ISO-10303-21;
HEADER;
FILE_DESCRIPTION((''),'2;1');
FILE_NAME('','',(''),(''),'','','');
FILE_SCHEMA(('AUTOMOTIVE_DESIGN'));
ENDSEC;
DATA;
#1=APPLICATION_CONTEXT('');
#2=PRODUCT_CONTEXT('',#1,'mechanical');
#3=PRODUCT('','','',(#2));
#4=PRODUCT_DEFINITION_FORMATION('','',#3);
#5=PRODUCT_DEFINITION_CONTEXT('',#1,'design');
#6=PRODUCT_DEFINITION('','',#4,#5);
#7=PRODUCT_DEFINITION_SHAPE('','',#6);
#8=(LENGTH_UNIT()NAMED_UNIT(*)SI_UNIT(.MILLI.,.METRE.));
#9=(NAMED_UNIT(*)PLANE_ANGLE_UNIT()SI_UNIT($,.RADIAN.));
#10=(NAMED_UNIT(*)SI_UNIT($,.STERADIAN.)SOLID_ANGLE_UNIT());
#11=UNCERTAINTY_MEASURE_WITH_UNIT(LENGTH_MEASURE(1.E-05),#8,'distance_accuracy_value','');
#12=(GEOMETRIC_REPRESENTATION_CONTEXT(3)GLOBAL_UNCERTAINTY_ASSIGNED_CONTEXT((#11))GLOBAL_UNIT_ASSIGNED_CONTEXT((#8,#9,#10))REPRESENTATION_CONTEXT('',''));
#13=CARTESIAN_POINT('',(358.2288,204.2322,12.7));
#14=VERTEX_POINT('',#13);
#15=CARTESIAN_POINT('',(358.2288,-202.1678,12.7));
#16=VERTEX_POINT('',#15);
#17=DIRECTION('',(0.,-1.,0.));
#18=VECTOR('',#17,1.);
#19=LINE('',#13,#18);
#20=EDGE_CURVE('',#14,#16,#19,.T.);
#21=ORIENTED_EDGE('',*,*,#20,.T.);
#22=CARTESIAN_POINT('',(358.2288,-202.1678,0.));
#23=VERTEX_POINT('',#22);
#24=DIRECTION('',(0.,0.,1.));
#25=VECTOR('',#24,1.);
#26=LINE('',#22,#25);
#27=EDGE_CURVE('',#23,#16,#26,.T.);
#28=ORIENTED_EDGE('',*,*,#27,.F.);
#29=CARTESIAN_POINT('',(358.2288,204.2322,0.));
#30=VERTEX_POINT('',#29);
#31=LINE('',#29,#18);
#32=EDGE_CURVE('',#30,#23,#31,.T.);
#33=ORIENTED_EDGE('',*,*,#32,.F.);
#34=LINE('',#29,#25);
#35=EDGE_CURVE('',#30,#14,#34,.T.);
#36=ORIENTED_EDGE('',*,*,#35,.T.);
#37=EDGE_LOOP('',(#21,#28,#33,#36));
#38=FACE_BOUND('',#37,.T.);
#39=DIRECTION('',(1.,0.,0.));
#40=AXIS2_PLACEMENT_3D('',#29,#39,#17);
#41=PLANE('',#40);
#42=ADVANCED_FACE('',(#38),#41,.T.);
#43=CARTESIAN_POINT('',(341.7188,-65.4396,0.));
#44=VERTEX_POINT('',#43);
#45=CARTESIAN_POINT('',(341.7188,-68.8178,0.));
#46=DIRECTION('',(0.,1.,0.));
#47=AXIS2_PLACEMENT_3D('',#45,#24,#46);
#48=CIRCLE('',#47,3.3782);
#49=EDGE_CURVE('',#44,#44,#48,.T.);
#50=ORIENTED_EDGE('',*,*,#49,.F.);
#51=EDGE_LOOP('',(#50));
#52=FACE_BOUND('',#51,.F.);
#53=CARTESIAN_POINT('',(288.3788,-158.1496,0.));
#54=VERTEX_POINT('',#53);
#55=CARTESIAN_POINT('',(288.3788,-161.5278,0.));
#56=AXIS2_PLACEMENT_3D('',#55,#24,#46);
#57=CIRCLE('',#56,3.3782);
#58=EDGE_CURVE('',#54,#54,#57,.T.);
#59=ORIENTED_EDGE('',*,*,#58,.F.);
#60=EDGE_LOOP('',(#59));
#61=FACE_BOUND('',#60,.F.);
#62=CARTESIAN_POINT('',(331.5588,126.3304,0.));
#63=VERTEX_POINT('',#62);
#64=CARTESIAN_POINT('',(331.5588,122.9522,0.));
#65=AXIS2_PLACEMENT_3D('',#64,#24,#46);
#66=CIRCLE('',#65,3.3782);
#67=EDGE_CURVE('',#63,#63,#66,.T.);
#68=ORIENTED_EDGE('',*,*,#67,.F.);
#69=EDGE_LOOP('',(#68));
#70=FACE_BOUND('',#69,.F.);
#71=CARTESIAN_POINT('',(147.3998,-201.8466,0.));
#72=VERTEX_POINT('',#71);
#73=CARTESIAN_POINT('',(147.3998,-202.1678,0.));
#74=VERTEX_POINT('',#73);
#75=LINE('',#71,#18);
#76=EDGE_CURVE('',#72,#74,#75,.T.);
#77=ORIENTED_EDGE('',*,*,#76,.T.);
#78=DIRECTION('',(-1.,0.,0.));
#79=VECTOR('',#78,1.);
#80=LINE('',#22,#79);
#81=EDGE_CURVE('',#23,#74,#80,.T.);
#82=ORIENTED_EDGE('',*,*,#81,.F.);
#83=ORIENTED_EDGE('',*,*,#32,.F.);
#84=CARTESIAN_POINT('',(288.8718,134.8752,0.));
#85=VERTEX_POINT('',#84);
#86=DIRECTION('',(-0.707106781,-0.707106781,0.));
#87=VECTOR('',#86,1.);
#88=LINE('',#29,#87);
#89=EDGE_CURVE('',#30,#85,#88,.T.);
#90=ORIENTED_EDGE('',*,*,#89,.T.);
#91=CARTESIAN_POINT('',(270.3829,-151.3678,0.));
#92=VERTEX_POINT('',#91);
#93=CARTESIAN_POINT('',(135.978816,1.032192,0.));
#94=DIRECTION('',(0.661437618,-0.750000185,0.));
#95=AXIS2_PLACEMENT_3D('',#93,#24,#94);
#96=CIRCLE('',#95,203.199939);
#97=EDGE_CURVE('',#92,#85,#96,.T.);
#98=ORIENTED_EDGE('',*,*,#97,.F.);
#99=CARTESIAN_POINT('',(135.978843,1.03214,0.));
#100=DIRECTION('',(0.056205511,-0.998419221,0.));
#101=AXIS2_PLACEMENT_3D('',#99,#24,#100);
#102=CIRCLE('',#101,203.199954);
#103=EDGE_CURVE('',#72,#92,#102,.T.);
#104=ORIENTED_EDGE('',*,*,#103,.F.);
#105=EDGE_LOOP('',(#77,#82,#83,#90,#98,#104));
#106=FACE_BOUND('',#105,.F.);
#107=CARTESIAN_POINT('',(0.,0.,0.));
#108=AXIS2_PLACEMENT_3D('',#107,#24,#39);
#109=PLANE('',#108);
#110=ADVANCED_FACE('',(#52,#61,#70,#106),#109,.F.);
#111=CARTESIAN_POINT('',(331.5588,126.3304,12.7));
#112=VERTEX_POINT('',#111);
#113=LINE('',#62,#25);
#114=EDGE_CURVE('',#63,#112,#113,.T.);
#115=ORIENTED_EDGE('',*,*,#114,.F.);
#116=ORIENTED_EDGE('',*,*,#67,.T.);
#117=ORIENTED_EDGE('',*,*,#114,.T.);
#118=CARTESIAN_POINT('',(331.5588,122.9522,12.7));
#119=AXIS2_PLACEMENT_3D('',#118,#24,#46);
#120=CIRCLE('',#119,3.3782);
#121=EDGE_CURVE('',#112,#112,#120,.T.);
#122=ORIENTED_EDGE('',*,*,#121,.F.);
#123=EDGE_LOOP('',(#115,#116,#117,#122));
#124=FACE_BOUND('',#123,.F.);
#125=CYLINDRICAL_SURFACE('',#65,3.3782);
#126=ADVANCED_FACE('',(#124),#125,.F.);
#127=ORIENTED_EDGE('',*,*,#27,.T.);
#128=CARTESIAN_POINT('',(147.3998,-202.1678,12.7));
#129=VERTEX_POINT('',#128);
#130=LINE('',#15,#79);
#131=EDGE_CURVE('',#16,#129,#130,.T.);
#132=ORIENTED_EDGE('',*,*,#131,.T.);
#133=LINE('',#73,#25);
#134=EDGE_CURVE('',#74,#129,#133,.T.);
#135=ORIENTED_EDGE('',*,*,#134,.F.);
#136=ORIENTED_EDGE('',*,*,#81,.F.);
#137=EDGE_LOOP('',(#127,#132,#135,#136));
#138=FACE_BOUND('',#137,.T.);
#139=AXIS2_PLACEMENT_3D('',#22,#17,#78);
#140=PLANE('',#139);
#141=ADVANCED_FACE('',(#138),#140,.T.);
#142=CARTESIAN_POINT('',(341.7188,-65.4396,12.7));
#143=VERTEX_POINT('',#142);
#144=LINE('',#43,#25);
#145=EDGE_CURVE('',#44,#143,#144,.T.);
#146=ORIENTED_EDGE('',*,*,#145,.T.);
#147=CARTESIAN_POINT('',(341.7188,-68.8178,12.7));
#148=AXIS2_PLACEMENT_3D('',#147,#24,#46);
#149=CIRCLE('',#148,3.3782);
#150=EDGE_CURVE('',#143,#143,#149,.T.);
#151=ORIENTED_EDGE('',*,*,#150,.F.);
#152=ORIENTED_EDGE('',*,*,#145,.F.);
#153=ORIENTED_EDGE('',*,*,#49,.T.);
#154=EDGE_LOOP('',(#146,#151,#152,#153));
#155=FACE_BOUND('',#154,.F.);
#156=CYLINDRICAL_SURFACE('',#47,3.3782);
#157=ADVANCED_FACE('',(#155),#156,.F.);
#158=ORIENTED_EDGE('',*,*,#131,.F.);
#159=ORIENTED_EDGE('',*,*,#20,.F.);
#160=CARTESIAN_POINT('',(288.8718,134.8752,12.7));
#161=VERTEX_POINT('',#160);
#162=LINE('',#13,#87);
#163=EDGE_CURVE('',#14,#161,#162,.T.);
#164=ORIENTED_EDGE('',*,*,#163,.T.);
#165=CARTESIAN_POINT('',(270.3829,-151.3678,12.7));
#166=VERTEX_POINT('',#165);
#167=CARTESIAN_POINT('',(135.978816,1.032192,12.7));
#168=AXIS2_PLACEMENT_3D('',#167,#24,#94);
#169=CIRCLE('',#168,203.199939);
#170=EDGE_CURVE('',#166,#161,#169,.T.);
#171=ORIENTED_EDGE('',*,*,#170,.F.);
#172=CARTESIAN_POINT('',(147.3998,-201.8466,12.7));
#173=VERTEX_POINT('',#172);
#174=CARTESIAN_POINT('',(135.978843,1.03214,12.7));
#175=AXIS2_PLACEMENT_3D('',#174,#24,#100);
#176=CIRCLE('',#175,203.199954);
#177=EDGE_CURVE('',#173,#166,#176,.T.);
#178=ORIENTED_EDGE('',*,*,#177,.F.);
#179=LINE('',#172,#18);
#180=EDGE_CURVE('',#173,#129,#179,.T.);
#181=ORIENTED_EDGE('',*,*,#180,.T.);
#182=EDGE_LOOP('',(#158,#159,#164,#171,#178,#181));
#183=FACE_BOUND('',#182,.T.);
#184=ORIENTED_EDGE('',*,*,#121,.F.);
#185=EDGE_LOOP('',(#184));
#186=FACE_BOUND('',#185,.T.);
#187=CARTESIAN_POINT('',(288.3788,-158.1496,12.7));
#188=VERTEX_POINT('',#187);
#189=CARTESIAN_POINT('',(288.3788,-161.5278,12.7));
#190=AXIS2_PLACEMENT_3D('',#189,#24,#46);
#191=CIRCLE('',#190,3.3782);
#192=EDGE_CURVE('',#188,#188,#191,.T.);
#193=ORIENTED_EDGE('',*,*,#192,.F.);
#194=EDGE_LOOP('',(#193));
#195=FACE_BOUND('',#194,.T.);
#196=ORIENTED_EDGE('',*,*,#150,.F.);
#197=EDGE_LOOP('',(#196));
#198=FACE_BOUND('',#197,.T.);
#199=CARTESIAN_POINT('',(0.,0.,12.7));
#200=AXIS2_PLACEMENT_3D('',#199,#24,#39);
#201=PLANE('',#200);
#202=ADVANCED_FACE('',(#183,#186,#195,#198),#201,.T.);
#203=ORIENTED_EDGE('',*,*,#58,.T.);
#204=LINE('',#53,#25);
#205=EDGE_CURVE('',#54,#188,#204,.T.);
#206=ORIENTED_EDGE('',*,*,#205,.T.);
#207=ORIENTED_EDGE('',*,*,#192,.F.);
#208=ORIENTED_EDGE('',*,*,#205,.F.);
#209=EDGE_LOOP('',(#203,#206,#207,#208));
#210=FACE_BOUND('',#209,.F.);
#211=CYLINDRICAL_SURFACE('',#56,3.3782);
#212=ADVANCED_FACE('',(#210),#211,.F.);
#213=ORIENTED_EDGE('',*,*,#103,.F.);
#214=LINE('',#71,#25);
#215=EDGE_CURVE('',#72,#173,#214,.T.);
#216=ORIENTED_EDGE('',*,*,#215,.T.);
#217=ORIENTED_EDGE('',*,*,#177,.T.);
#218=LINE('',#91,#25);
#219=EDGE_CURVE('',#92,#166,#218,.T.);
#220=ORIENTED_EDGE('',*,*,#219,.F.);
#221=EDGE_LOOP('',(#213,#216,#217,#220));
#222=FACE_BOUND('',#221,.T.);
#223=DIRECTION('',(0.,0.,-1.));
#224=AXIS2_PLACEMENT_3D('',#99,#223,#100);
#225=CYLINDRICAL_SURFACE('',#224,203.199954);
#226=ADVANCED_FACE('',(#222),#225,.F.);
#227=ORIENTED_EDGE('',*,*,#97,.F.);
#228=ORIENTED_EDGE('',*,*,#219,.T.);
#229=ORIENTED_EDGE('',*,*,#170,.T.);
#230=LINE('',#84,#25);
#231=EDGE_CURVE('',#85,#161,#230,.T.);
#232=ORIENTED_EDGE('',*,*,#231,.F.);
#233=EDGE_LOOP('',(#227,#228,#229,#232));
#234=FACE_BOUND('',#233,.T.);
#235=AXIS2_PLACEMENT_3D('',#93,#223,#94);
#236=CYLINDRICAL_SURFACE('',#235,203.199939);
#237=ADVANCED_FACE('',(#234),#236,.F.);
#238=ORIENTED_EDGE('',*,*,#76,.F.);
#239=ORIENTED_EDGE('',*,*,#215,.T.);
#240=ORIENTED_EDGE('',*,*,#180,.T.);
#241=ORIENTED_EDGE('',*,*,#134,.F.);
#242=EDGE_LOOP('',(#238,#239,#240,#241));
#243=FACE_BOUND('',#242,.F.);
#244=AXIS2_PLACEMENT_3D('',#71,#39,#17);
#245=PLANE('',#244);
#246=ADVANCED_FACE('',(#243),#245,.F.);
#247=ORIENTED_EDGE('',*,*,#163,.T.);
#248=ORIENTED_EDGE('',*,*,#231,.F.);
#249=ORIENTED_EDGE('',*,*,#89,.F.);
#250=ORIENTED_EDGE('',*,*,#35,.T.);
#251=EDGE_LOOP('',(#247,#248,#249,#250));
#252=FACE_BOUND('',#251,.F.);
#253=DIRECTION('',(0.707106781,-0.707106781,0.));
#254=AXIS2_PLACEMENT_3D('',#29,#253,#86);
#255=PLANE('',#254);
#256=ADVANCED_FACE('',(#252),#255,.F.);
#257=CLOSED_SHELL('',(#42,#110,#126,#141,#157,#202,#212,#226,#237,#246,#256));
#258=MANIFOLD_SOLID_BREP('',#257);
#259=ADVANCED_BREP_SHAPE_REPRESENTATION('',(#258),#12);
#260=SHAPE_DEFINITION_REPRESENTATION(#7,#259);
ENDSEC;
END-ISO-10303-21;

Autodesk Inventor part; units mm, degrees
ref_plane "YZ Plane" through (0, 0, 0) normal (1, 0, 0) x (0, 1, 0)
ref_plane "XZ Plane" through (0, 0, 0) normal (0, 1, 0) x (-1, 0, 0)
ref_plane "XY Plane" through (0, 0, 0) normal (0, 0, 1) x (1, 0, 0)
sketch "Sketch1" plane through (0, 0, 0) normal (0, 0, 1) x (1, 0, 0)
  arc A0 (270.3829, -151.3678) -> (288.8718, 134.8752) centre (135.9788, 1.0322) ccw
  line L0 (358.2288, 204.2322) -> (358.2288, -202.1678)
  line L1 (358.2288, -202.1678) -> (147.3998, -202.1678)
  line L2 (147.3998, 204.2322) -> (553.7998, 204.2322) construction
  arc A1 (147.3998, -201.8466) -> (288.8718, 134.8752) centre (135.9788, 1.0322) ccw
  line L3 (147.3998, -201.8466) -> (147.3998, -202.1678)
  line L4 (358.2288, 204.2322) -> (288.8718, 134.8752)
  line L5 (358.2288, 204.2322) -> (456.3143, 204.2322) construction
  point P0 (270.3829, 153.4322)
  dimension "d5" = 203.2
  dimension "d9" = 135
extrude "Extrusion1" add sketch "Sketch1" along normal blind 12.7
sketch "Sketch2" plane through (0, 0, 0) normal (0, 0, -1) x (-1, 0, 0)
  line L0 (-358.2288, -202.1678) -> (-358.2288, 204.2322) projected
  line L1 (-147.3998, -202.1678) -> (-358.2288, -202.1678) projected
  point P0 (0, 0)
  point P1 (-288.3788, -161.5278)
  point P2 (-341.7188, -68.8178)
  point P3 (-331.5588, 122.9522)
  dimension "d10" = 69.85
  dimension "d11" = 40.64
  dimension "d12" = 16.51
  dimension "d13" = 133.35
  dimension "d14" = 325.12
  dimension "d15" = 26.67
hole "Hole1" at (288.3788, -161.5278, 0) at (341.7188, -68.8178, 0) at (331.5588, 122.9522, 0) direction (0, 0, 1) diameter 6.7564 end through all
properties part number "Hood (inside)" material "Wood (Oak)"
